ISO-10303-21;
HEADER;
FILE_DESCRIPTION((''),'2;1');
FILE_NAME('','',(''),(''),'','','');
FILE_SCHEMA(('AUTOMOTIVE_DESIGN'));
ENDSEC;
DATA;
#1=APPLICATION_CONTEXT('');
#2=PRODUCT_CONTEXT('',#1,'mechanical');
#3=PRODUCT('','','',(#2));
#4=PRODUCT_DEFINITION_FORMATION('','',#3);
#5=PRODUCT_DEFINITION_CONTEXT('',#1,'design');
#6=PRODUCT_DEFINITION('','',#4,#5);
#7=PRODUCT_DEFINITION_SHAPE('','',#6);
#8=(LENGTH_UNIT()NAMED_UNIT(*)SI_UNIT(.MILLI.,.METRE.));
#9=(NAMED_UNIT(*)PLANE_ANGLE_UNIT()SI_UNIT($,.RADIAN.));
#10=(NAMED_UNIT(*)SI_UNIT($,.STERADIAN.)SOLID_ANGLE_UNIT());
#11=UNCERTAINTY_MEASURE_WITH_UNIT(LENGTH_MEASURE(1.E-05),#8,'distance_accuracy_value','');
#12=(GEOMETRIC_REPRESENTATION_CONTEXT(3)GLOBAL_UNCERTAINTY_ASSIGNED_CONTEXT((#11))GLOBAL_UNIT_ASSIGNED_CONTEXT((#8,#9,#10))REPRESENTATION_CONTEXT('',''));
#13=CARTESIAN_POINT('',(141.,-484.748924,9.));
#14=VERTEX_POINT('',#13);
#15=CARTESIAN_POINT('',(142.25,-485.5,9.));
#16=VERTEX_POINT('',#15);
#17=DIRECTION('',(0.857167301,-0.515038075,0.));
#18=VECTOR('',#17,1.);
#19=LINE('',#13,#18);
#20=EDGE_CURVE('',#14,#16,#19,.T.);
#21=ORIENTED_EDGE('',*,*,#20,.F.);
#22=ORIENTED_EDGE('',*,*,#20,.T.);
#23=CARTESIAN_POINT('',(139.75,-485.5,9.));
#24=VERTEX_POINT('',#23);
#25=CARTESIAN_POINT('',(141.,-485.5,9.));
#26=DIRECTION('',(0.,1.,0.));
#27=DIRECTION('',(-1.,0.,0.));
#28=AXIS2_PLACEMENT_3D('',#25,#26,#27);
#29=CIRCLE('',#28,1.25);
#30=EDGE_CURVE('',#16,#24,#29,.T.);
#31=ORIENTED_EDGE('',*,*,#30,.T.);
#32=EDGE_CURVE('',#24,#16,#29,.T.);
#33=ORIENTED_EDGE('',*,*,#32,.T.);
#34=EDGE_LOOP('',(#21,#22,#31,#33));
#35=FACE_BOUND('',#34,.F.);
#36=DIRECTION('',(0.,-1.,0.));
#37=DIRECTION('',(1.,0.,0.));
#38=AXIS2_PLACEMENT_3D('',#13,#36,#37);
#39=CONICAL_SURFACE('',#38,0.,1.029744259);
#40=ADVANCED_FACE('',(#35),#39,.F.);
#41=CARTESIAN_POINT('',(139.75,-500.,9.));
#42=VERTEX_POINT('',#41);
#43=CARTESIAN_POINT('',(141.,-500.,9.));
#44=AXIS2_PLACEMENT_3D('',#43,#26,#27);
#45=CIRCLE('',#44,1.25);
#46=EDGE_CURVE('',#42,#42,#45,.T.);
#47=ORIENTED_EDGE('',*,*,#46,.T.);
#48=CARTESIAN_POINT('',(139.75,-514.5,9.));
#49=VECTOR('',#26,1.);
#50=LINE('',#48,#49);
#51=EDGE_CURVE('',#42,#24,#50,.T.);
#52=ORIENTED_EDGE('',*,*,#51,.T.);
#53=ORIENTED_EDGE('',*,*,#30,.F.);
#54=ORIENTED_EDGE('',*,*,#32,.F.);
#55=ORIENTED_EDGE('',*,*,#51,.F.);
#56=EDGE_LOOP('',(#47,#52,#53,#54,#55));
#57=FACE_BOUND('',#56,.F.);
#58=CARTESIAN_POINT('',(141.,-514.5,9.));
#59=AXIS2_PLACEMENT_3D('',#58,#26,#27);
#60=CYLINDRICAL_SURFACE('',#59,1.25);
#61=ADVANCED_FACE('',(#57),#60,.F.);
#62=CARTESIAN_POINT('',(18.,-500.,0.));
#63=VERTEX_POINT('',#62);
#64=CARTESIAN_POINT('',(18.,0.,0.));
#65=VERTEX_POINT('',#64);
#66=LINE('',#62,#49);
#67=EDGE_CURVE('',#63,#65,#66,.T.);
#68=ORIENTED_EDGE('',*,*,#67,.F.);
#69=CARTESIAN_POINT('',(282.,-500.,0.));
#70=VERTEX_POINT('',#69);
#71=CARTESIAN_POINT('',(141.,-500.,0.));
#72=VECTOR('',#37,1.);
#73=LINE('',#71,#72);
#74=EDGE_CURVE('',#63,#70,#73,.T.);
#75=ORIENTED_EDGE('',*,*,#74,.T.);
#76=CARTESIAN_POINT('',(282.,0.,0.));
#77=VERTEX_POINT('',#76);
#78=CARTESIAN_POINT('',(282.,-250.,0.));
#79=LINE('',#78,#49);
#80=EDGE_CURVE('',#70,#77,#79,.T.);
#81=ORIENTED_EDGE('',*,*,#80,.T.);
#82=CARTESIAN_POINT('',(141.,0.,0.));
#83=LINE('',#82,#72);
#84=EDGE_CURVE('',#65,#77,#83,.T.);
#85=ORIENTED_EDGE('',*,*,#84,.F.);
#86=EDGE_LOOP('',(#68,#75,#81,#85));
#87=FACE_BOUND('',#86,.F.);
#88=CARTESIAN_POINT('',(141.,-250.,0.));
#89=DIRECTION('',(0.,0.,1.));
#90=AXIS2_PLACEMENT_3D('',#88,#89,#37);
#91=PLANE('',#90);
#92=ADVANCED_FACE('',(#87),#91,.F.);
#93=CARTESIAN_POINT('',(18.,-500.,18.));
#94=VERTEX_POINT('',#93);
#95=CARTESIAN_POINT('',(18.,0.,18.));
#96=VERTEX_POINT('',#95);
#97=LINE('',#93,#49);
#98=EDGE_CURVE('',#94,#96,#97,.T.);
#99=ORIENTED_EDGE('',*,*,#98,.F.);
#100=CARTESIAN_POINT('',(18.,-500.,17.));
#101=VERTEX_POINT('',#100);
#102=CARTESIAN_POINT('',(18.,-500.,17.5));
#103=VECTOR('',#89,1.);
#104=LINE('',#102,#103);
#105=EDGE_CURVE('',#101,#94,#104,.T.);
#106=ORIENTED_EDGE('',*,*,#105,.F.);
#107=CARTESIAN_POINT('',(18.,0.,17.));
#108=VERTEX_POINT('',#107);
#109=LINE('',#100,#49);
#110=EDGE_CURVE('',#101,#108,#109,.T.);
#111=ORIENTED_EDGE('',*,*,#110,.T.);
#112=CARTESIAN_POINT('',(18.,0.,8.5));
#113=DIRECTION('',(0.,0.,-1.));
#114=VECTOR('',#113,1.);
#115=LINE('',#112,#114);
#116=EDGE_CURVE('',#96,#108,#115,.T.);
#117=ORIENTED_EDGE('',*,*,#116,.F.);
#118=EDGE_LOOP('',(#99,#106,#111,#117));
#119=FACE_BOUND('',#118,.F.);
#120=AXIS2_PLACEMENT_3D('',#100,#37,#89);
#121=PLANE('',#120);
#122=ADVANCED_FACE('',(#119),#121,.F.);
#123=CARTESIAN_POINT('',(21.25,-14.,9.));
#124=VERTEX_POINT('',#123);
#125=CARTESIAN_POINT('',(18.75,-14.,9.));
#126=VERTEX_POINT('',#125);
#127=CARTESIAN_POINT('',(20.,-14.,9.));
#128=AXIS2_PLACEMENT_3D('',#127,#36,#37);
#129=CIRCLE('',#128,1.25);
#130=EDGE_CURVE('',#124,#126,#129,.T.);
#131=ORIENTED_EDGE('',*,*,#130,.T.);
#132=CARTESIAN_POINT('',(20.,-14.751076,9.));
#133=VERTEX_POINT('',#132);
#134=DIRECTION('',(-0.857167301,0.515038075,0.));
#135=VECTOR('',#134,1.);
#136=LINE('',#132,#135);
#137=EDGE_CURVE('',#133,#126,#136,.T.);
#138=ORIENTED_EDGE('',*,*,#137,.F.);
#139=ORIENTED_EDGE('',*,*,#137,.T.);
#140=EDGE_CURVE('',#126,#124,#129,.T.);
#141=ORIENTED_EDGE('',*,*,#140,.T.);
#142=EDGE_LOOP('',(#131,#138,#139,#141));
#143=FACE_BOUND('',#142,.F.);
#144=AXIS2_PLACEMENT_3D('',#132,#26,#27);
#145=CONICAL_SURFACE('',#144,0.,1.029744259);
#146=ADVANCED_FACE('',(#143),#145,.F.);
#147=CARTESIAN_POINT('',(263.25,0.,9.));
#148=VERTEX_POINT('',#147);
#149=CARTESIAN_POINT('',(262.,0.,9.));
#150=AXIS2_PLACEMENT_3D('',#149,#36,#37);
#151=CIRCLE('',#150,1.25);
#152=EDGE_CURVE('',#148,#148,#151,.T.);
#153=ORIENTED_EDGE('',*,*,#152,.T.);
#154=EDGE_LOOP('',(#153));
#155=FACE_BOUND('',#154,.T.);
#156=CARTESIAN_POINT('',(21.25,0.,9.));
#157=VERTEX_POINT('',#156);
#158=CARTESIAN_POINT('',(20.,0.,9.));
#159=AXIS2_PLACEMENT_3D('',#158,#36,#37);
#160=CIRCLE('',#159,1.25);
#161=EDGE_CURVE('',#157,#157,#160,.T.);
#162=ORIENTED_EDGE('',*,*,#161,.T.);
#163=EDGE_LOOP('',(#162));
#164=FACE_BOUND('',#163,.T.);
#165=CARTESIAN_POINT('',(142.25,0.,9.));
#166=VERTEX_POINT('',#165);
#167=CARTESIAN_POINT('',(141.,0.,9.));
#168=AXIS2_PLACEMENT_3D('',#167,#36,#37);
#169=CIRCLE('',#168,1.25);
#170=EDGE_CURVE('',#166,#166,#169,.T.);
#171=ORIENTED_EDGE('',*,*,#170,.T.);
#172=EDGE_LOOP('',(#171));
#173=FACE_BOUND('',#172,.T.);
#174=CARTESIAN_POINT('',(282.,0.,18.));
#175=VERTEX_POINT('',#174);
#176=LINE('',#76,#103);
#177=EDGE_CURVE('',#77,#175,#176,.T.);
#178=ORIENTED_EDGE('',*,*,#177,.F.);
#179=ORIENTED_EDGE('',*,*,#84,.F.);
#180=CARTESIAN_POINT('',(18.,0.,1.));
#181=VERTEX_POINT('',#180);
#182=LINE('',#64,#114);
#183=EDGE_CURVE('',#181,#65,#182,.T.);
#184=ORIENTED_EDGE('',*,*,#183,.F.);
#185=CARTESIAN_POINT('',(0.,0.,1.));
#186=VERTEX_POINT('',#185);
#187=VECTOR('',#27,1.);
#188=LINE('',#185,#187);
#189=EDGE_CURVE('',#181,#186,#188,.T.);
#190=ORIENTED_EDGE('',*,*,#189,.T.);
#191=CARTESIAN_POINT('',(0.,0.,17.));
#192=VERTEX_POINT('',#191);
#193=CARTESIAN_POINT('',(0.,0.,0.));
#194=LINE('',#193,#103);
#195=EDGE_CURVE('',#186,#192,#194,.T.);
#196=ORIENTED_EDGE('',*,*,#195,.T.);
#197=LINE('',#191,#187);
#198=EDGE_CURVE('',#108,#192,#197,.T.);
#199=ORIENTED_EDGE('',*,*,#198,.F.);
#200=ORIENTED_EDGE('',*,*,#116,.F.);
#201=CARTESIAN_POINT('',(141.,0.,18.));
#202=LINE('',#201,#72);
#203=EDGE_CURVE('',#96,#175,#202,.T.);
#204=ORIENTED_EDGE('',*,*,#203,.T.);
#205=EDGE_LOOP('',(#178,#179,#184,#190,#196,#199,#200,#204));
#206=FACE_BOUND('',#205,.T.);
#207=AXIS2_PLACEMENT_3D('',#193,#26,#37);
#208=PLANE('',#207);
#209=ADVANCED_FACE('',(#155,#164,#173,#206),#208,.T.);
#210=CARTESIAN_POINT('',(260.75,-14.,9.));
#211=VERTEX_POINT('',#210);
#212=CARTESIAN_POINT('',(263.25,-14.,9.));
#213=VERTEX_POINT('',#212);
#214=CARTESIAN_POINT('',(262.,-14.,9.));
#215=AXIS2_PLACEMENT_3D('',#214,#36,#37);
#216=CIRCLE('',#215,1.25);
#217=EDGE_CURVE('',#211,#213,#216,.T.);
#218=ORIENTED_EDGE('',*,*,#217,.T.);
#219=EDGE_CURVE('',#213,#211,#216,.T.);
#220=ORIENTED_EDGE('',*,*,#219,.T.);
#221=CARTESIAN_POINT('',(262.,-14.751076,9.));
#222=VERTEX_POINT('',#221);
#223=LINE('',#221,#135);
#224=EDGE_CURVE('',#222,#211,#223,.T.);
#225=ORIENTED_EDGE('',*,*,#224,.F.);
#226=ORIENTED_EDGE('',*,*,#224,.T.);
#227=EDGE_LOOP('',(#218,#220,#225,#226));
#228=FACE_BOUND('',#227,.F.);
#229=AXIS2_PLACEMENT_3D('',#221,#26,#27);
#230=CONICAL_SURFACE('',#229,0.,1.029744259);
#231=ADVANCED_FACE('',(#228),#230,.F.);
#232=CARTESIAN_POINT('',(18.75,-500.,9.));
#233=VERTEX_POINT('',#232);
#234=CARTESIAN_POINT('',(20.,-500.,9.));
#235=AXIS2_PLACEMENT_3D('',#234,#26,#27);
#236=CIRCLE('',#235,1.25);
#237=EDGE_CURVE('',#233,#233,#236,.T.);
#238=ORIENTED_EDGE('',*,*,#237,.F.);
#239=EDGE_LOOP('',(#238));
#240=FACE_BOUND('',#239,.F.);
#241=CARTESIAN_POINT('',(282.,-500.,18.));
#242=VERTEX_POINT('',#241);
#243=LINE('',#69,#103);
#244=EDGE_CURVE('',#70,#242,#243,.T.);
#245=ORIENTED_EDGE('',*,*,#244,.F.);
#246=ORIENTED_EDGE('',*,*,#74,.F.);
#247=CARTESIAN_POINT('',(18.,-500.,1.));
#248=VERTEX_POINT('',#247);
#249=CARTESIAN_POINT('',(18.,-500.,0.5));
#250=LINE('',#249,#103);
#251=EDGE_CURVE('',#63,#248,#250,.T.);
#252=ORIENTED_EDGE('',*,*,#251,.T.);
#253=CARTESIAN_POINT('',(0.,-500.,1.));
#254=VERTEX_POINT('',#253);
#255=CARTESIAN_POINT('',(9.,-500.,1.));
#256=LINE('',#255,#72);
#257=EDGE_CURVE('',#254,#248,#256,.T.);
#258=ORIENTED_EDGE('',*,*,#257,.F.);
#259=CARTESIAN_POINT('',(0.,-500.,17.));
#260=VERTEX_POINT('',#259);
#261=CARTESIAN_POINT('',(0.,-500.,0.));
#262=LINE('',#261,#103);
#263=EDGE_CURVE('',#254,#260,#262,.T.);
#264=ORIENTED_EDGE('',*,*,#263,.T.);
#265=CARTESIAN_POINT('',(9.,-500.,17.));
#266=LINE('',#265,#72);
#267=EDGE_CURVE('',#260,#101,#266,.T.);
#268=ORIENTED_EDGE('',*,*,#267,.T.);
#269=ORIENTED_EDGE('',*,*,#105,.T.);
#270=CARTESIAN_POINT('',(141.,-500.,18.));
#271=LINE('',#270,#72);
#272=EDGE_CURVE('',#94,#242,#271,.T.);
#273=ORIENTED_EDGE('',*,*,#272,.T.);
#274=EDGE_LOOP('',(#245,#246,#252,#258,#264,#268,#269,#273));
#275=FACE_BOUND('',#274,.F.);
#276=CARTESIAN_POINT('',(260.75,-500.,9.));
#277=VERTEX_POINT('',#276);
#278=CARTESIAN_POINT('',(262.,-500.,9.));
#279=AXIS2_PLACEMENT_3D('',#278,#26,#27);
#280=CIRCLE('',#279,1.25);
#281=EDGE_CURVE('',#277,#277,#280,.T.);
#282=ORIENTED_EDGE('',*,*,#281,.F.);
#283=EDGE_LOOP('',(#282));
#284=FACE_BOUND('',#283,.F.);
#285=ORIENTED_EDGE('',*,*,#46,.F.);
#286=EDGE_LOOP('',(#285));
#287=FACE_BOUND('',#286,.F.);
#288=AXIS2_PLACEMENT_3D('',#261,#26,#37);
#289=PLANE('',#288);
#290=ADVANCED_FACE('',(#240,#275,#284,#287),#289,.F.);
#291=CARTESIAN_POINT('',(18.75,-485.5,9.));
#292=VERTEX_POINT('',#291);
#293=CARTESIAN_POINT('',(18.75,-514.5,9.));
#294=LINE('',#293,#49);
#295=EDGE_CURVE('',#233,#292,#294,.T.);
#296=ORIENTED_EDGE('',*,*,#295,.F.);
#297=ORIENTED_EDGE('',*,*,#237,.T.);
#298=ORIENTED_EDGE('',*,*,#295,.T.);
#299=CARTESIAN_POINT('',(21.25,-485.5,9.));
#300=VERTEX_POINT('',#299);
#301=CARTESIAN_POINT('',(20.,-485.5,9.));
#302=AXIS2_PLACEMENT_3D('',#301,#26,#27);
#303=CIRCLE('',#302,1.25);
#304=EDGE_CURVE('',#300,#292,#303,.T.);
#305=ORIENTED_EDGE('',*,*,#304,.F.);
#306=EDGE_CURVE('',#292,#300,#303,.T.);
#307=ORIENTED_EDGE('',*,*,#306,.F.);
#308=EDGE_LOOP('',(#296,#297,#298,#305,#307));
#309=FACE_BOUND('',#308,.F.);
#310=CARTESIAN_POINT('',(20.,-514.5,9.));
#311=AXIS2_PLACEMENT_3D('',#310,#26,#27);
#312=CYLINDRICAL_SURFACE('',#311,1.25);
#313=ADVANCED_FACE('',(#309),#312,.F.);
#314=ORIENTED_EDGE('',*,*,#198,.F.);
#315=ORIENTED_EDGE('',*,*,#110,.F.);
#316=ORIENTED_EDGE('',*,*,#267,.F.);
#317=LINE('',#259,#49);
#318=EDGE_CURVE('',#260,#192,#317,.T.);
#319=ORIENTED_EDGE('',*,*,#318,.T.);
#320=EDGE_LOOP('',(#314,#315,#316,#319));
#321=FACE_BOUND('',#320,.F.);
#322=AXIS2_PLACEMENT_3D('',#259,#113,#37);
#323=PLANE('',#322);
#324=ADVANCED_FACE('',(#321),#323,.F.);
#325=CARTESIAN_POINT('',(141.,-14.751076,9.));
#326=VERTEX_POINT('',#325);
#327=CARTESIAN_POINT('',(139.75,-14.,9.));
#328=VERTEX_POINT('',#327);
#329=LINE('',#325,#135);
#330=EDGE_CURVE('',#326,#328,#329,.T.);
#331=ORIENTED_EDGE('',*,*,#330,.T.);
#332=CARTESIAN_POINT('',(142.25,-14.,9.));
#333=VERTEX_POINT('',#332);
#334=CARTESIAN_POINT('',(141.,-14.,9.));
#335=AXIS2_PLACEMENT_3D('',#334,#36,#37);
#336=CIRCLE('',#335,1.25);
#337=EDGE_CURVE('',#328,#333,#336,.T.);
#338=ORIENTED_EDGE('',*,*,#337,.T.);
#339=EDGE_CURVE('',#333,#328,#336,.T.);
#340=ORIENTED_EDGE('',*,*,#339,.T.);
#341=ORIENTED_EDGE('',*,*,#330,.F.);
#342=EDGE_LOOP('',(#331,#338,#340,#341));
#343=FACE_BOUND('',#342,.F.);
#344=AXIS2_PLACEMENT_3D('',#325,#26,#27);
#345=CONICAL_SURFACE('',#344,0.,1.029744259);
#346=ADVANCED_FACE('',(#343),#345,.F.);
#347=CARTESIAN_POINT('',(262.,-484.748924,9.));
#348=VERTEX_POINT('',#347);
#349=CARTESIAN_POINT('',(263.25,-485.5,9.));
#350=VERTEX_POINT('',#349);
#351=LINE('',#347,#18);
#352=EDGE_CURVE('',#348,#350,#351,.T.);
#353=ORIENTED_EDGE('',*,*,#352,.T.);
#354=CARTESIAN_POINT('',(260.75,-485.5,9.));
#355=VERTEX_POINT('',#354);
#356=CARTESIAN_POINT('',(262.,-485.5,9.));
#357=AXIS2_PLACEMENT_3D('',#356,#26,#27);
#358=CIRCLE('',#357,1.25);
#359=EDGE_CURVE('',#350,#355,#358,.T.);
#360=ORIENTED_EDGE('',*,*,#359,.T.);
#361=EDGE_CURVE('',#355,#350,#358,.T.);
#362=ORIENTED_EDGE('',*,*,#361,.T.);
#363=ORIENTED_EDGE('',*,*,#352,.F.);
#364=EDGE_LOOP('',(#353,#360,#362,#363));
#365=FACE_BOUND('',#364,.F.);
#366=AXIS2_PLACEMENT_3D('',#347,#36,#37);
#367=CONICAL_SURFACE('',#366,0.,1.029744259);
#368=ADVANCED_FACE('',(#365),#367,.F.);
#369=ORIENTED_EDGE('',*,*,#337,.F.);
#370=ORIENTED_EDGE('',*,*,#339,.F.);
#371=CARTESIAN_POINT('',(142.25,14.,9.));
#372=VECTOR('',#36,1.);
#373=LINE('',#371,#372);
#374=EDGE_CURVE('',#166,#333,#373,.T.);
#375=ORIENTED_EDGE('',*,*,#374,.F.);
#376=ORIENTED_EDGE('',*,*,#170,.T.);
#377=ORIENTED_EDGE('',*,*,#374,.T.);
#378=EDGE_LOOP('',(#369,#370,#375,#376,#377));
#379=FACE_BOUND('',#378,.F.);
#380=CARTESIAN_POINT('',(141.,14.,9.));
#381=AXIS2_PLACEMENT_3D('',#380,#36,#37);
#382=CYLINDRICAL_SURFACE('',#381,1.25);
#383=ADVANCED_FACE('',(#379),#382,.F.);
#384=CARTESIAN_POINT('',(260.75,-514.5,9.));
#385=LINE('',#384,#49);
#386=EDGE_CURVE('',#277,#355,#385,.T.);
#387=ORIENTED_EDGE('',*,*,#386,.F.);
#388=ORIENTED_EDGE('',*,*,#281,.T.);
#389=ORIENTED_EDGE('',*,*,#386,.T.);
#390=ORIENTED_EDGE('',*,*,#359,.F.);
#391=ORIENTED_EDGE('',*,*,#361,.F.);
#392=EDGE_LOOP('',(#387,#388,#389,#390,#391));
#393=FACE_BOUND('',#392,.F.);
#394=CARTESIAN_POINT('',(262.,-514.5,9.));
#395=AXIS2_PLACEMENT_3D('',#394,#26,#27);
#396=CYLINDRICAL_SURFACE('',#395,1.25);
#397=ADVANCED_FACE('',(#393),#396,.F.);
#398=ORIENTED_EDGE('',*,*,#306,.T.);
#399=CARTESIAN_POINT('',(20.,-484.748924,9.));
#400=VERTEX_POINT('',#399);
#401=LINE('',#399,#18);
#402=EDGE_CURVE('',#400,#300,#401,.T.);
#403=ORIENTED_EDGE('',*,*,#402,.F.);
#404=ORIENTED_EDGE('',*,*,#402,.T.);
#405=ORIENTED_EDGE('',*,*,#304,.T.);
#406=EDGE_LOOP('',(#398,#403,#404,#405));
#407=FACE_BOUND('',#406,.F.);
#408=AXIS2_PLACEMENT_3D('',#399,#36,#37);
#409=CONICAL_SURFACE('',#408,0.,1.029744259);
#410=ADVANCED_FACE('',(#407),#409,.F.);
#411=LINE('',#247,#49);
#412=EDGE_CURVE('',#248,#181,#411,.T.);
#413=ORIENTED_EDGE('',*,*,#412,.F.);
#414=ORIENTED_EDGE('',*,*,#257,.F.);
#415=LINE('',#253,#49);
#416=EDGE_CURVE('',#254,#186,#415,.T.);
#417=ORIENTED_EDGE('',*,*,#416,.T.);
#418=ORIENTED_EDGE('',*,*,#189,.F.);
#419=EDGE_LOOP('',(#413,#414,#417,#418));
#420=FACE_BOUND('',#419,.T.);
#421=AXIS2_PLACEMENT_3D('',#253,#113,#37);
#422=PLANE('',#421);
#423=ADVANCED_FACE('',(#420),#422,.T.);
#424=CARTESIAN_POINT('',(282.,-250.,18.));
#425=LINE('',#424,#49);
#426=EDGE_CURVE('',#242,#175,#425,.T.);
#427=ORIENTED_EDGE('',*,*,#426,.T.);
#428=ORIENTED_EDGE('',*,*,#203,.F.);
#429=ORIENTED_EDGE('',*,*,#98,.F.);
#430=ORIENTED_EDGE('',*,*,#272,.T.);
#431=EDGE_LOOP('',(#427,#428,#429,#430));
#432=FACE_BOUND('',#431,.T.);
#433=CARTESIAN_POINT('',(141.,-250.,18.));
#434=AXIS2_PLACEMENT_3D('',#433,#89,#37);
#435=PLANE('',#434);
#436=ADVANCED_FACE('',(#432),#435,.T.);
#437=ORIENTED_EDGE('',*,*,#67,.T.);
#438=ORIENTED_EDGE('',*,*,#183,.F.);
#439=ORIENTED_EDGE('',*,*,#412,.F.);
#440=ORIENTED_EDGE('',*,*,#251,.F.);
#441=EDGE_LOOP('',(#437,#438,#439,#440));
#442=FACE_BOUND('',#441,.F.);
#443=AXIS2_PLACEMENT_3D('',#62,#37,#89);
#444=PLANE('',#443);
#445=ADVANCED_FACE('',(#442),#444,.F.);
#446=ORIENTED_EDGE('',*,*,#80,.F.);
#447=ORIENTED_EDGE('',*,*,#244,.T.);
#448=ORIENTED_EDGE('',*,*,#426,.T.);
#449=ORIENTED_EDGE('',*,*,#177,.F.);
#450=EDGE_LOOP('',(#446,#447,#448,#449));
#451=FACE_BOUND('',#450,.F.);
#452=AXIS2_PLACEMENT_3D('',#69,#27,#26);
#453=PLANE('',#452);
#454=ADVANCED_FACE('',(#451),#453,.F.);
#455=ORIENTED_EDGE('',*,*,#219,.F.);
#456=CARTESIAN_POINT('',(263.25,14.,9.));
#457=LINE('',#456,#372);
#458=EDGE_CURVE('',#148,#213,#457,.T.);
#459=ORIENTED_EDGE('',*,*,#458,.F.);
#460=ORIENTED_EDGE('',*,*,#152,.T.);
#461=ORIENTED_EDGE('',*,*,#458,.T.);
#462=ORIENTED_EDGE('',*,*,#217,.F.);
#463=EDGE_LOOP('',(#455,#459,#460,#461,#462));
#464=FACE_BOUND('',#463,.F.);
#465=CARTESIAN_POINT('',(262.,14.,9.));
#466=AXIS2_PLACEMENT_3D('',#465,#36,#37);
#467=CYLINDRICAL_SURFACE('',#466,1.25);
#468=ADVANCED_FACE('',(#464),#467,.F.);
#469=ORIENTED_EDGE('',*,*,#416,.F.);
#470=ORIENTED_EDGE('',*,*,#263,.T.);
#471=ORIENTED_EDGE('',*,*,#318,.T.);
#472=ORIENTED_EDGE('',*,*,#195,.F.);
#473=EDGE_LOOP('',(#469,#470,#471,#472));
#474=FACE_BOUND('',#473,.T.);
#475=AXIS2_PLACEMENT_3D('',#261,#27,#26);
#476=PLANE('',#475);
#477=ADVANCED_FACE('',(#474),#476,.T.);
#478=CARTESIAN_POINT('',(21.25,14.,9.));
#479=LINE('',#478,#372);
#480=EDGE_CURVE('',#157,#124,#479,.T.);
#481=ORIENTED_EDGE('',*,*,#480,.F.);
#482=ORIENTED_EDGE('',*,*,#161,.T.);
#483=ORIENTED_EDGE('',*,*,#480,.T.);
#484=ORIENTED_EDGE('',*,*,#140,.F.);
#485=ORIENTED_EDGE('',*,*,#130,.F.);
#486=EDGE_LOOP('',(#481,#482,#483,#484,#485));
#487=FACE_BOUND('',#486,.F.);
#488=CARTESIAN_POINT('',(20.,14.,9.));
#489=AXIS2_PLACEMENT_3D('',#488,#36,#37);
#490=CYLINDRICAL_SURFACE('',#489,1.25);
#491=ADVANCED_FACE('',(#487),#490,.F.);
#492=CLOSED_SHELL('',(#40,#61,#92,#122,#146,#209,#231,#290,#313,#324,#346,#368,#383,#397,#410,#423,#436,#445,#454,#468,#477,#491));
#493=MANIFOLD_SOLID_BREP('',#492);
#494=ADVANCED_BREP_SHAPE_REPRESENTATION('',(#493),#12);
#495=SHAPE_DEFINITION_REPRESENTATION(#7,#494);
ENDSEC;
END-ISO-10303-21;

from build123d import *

# Parameters (mm, degrees)
F0_W     = 282
F0_H     = 500
F1_DEPTH = 18
F3_D     = 2.5
F3_DEPTH = 14.5
F3_TIP   = 0.7510757738
F5_D     = 2.5
F5_DEPTH = 14
F5_TIP   = 0.7510757738
F6_W     = 18
F6_H     = 1
F7_DEPTH = 500.001


with BuildPart() as f1:
    # F0 (on Top) → F1 (new body)
    with BuildSketch(Plane.XY):
        with Locations((141, -250)):
            Rectangle(F0_W, F0_H)
    extrude(amount=F1_DEPTH)

    # F3
    with Locations(Plane.XZ.offset(500)):
        with Locations((20, 9), (141, 9), (262, 9)):
            Hole(F3_D / 2, depth=F3_DEPTH)
            with Locations((0, 0, -(F3_DEPTH + F3_TIP / 2))):  # 118° drill point
                Cone(0, F3_D / 2, F3_TIP, mode=Mode.SUBTRACT)

    # F5
    with Locations(Plane(origin=(0, 0, 0), x_dir=(-1, 0, 0), z_dir=(0, 1, 0))):
        with Locations((-262, 9), (-141, 9), (-20, 9)):
            Hole(F5_D / 2, depth=F5_DEPTH)
            with Locations((0, 0, -(F5_DEPTH + F5_TIP / 2))):  # 118° drill point
                Cone(0, F5_D / 2, F5_TIP, mode=Mode.SUBTRACT)

    # F6 (on face) → F7 (cut, through all)
    with BuildSketch(Plane.XZ.offset(500)):
        with Locations((9, 17.5)):
            Rectangle(F6_W, F6_H)
        with Locations((9, 0.5)):
            Rectangle(F6_W, F6_H)
    extrude(amount=-F7_DEPTH, mode=Mode.SUBTRACT)


solid = f1.part
